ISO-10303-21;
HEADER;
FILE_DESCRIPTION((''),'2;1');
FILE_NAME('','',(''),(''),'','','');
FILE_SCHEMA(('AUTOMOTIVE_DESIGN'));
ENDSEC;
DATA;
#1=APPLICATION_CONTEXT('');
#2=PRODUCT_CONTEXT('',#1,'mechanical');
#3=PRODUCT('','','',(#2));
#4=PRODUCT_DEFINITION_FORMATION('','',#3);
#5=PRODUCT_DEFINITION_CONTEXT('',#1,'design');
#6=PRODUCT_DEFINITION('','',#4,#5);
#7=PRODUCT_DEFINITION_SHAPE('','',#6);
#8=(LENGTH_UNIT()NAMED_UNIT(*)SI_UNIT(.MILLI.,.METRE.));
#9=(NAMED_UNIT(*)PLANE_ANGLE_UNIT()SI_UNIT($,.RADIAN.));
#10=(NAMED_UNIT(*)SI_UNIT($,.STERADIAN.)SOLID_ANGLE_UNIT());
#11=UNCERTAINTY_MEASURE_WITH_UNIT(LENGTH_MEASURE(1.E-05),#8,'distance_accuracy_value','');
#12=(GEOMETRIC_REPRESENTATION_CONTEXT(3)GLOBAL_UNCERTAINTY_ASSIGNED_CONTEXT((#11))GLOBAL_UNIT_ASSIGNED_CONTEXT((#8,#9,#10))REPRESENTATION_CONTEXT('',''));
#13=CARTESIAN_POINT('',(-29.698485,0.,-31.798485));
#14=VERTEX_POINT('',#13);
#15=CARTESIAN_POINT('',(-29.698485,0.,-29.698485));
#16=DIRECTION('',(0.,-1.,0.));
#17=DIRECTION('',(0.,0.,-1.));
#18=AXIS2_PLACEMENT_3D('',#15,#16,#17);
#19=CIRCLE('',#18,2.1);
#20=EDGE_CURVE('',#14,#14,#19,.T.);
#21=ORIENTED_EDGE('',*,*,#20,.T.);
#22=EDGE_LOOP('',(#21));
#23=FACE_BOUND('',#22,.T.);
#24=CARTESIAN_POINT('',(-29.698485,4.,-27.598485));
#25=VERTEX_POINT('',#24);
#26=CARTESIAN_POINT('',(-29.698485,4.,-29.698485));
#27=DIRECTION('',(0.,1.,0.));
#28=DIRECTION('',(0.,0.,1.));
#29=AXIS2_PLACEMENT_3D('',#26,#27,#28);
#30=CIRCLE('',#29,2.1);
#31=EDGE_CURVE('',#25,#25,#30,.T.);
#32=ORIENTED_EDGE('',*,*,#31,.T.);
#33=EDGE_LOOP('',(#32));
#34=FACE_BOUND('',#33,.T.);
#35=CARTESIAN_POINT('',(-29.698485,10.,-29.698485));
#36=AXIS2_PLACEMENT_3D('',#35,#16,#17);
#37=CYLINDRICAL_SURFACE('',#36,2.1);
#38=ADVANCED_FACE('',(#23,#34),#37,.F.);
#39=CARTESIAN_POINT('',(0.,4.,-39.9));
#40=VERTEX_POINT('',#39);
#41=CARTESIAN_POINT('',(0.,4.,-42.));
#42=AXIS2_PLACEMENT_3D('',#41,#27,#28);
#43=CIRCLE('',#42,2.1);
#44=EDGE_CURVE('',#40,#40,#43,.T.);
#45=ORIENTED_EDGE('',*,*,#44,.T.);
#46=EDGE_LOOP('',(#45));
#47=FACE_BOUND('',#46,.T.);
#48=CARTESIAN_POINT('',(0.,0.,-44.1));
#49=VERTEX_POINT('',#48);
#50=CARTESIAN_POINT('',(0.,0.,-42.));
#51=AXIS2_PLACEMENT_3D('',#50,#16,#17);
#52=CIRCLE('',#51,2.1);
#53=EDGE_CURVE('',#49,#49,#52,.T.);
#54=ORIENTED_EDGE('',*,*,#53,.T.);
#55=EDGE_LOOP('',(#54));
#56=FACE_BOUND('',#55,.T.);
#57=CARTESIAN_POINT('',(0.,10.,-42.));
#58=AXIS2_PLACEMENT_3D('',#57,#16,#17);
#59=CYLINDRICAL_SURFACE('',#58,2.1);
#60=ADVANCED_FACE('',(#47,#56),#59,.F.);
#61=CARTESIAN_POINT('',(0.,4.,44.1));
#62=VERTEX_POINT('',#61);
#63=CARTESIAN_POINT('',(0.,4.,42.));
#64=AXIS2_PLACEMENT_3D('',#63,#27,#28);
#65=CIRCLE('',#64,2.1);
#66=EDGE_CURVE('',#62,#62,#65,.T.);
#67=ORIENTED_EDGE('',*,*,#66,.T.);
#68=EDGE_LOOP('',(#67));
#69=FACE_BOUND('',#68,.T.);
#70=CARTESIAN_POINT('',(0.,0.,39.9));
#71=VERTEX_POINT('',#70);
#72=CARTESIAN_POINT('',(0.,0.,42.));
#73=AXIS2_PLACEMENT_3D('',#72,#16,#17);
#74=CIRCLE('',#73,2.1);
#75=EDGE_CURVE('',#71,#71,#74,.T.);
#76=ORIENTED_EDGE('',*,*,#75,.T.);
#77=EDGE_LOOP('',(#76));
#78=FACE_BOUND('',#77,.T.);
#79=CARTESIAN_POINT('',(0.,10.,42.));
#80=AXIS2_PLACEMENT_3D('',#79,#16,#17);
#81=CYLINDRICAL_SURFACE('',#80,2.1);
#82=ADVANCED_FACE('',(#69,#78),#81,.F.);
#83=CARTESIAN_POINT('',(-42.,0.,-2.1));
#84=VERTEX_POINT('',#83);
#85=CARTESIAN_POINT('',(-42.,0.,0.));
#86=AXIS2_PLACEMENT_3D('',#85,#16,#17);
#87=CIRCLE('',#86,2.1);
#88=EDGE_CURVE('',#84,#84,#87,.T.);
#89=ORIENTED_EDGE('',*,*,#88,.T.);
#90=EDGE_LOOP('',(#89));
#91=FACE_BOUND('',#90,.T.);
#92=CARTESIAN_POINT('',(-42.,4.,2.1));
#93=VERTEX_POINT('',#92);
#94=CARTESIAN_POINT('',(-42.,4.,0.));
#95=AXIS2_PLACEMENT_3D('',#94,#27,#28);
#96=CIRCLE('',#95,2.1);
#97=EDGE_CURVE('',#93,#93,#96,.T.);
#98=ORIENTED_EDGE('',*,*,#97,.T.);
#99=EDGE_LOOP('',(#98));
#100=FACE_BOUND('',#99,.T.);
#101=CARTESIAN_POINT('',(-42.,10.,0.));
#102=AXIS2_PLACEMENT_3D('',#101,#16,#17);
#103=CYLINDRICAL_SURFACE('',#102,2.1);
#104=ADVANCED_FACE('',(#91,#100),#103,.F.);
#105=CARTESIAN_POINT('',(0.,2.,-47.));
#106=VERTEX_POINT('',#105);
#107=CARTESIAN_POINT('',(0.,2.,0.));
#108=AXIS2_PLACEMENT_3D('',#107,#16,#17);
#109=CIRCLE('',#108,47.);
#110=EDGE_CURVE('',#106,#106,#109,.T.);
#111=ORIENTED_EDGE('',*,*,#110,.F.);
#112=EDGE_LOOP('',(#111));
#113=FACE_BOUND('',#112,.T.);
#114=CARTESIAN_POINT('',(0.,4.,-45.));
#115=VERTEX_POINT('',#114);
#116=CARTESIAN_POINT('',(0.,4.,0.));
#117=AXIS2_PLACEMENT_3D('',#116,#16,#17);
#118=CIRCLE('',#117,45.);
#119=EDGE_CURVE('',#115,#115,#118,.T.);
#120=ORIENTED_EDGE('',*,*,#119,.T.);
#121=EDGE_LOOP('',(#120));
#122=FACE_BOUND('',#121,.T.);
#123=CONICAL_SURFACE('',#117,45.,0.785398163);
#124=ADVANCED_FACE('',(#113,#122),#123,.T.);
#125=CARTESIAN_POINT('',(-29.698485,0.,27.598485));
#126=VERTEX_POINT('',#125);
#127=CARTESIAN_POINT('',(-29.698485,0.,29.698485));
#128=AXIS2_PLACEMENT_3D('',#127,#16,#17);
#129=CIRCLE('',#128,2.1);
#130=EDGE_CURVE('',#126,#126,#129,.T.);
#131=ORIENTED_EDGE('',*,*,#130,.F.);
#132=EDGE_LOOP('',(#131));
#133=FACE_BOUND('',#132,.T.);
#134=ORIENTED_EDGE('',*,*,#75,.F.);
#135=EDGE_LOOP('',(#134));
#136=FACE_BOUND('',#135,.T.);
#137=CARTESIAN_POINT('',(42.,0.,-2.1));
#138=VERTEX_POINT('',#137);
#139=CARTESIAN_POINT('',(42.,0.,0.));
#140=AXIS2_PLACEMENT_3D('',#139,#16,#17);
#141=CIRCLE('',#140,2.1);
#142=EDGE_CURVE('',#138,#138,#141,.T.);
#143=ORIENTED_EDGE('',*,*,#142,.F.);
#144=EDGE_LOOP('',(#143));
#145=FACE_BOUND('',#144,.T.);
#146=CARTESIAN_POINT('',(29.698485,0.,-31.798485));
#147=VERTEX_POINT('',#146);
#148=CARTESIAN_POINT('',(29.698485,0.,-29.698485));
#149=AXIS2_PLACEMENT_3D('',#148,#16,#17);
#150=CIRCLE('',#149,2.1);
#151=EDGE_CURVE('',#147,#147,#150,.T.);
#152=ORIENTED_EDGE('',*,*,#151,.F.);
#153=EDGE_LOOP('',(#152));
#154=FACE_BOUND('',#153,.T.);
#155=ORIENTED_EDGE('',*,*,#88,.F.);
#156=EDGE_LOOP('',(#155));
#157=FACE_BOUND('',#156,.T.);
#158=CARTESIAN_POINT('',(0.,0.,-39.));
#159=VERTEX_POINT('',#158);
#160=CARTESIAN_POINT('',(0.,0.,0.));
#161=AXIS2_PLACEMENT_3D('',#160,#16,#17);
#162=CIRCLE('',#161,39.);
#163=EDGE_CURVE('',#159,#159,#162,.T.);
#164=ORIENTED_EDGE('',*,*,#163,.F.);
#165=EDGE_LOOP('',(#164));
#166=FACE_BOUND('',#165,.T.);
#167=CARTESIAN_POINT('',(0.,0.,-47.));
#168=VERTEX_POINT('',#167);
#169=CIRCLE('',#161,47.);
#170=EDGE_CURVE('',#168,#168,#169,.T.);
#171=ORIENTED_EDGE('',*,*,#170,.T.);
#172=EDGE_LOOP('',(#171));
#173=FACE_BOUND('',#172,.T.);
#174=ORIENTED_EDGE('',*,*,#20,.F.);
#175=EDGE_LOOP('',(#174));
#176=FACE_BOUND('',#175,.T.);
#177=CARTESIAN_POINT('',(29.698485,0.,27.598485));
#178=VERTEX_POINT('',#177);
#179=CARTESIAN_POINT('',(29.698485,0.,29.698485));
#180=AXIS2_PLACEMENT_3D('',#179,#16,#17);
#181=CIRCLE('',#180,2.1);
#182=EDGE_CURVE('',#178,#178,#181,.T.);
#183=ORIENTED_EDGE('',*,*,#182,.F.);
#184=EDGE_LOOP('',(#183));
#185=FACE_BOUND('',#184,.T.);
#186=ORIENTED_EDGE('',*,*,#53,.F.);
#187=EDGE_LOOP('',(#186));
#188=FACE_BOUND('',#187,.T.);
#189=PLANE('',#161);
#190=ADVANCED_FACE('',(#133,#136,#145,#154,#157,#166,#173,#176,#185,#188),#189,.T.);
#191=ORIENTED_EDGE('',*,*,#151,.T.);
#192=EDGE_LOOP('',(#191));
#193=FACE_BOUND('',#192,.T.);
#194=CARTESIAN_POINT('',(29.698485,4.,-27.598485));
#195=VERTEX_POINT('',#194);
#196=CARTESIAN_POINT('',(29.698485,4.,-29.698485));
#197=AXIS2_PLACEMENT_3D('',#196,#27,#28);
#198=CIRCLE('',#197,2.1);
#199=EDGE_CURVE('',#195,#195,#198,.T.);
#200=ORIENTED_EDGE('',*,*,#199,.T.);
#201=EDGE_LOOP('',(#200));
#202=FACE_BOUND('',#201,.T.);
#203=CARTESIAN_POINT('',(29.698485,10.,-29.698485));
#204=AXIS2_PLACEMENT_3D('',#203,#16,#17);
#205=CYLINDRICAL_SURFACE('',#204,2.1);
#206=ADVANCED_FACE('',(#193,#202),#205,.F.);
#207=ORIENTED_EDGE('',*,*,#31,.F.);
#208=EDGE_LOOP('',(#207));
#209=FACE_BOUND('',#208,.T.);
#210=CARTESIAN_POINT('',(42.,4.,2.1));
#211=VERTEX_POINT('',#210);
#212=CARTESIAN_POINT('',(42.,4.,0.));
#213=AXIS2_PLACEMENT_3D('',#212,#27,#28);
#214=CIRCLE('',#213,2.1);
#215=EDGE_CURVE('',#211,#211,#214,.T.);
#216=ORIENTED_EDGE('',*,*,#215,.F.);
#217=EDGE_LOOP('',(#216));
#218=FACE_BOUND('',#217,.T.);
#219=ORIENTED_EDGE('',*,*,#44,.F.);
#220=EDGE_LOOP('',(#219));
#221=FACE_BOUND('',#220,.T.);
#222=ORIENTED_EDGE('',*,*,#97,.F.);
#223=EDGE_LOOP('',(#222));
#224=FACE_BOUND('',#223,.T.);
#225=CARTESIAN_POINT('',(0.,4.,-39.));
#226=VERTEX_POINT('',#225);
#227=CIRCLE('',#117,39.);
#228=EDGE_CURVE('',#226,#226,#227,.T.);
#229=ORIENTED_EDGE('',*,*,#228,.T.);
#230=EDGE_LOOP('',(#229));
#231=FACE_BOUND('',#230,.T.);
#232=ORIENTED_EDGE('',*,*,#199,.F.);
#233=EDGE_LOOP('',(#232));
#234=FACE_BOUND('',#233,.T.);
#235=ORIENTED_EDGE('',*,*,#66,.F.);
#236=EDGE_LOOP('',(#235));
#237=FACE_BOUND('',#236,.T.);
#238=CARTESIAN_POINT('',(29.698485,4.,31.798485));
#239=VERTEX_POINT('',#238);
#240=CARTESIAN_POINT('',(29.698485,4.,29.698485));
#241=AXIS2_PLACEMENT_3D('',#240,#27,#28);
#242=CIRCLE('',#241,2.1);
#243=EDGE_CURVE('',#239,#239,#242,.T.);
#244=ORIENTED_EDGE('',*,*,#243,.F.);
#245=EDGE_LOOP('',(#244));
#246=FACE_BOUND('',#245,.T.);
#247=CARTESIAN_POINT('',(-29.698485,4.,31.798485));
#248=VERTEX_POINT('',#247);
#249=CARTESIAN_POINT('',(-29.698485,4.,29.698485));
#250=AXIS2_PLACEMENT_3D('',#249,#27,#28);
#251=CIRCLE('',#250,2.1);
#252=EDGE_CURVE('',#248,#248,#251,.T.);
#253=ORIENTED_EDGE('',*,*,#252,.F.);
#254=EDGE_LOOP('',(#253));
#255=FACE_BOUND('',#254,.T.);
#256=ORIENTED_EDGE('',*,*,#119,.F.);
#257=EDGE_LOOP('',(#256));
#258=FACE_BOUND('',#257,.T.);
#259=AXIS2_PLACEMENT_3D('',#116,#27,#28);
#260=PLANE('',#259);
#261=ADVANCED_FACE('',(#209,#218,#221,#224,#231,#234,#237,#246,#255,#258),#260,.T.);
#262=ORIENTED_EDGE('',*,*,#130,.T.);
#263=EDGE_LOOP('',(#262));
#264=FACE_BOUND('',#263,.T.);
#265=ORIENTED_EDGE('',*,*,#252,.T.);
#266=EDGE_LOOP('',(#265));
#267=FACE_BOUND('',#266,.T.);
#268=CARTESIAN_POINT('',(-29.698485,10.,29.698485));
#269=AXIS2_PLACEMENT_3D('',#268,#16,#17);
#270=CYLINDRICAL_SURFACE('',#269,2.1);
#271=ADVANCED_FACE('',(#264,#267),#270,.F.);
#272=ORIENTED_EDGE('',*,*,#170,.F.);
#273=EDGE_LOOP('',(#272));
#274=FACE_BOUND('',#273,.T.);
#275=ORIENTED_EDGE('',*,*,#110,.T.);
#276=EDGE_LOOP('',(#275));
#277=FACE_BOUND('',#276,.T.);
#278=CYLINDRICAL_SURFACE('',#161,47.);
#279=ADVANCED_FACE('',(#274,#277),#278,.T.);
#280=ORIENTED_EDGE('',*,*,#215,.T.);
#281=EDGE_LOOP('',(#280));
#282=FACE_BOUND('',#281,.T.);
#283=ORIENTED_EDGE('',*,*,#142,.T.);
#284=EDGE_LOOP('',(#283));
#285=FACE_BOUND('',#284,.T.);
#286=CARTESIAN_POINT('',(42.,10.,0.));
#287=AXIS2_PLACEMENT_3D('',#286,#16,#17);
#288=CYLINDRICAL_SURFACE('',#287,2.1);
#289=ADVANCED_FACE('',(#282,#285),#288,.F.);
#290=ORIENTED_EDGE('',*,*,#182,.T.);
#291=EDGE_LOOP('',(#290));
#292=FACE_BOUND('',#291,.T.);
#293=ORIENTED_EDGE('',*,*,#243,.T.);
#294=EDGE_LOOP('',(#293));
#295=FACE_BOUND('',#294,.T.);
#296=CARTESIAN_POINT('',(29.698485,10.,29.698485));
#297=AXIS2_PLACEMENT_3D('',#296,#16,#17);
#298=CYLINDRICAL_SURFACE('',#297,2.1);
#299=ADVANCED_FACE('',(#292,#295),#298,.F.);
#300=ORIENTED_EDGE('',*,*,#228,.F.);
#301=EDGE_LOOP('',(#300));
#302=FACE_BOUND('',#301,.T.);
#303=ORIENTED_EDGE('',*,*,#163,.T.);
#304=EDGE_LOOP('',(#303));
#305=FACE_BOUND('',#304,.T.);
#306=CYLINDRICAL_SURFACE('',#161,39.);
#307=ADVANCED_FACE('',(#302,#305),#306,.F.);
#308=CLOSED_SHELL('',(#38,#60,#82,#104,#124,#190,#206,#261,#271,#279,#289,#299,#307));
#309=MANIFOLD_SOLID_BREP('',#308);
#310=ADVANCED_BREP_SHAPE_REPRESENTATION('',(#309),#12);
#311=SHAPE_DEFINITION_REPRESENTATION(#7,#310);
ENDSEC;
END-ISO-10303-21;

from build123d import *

# Parameters (mm, degrees)
SKETCH_2_R          = 2.1
CUT_EXTRUDE_1_DEPTH = 10


with BuildPart() as part:
    # 草图1 → 旋转1 (revolve)
    with BuildSketch(Plane.XY):
        Polygon((-39, 0), (-47, 0), (-47, 2), (-45, 4), (-39, 4), align=None)
    revolve(axis=Axis((0, 0, 0), (0, 1, 0)))

    # 草图2 → 切除-拉伸1 (cut)
    with BuildSketch(Plane.XZ):
        with Locations((0, 42)):
            Circle(SKETCH_2_R)
        with Locations((29.69848481, 29.69848481)):
            Circle(SKETCH_2_R)
        with Locations((42, 0)):
            Circle(SKETCH_2_R)
        with Locations((29.69848481, -29.69848481)):
            Circle(SKETCH_2_R)
        with Locations((0, -42)):
            Circle(SKETCH_2_R)
        with Locations((-29.69848481, -29.69848481)):
            Circle(SKETCH_2_R)
        with Locations((-42, 0)):
            Circle(SKETCH_2_R)
        with Locations((-29.69848481, 29.69848481)):
            Circle(SKETCH_2_R)
    extrude(amount=-CUT_EXTRUDE_1_DEPTH, mode=Mode.SUBTRACT)


solid = part.part
